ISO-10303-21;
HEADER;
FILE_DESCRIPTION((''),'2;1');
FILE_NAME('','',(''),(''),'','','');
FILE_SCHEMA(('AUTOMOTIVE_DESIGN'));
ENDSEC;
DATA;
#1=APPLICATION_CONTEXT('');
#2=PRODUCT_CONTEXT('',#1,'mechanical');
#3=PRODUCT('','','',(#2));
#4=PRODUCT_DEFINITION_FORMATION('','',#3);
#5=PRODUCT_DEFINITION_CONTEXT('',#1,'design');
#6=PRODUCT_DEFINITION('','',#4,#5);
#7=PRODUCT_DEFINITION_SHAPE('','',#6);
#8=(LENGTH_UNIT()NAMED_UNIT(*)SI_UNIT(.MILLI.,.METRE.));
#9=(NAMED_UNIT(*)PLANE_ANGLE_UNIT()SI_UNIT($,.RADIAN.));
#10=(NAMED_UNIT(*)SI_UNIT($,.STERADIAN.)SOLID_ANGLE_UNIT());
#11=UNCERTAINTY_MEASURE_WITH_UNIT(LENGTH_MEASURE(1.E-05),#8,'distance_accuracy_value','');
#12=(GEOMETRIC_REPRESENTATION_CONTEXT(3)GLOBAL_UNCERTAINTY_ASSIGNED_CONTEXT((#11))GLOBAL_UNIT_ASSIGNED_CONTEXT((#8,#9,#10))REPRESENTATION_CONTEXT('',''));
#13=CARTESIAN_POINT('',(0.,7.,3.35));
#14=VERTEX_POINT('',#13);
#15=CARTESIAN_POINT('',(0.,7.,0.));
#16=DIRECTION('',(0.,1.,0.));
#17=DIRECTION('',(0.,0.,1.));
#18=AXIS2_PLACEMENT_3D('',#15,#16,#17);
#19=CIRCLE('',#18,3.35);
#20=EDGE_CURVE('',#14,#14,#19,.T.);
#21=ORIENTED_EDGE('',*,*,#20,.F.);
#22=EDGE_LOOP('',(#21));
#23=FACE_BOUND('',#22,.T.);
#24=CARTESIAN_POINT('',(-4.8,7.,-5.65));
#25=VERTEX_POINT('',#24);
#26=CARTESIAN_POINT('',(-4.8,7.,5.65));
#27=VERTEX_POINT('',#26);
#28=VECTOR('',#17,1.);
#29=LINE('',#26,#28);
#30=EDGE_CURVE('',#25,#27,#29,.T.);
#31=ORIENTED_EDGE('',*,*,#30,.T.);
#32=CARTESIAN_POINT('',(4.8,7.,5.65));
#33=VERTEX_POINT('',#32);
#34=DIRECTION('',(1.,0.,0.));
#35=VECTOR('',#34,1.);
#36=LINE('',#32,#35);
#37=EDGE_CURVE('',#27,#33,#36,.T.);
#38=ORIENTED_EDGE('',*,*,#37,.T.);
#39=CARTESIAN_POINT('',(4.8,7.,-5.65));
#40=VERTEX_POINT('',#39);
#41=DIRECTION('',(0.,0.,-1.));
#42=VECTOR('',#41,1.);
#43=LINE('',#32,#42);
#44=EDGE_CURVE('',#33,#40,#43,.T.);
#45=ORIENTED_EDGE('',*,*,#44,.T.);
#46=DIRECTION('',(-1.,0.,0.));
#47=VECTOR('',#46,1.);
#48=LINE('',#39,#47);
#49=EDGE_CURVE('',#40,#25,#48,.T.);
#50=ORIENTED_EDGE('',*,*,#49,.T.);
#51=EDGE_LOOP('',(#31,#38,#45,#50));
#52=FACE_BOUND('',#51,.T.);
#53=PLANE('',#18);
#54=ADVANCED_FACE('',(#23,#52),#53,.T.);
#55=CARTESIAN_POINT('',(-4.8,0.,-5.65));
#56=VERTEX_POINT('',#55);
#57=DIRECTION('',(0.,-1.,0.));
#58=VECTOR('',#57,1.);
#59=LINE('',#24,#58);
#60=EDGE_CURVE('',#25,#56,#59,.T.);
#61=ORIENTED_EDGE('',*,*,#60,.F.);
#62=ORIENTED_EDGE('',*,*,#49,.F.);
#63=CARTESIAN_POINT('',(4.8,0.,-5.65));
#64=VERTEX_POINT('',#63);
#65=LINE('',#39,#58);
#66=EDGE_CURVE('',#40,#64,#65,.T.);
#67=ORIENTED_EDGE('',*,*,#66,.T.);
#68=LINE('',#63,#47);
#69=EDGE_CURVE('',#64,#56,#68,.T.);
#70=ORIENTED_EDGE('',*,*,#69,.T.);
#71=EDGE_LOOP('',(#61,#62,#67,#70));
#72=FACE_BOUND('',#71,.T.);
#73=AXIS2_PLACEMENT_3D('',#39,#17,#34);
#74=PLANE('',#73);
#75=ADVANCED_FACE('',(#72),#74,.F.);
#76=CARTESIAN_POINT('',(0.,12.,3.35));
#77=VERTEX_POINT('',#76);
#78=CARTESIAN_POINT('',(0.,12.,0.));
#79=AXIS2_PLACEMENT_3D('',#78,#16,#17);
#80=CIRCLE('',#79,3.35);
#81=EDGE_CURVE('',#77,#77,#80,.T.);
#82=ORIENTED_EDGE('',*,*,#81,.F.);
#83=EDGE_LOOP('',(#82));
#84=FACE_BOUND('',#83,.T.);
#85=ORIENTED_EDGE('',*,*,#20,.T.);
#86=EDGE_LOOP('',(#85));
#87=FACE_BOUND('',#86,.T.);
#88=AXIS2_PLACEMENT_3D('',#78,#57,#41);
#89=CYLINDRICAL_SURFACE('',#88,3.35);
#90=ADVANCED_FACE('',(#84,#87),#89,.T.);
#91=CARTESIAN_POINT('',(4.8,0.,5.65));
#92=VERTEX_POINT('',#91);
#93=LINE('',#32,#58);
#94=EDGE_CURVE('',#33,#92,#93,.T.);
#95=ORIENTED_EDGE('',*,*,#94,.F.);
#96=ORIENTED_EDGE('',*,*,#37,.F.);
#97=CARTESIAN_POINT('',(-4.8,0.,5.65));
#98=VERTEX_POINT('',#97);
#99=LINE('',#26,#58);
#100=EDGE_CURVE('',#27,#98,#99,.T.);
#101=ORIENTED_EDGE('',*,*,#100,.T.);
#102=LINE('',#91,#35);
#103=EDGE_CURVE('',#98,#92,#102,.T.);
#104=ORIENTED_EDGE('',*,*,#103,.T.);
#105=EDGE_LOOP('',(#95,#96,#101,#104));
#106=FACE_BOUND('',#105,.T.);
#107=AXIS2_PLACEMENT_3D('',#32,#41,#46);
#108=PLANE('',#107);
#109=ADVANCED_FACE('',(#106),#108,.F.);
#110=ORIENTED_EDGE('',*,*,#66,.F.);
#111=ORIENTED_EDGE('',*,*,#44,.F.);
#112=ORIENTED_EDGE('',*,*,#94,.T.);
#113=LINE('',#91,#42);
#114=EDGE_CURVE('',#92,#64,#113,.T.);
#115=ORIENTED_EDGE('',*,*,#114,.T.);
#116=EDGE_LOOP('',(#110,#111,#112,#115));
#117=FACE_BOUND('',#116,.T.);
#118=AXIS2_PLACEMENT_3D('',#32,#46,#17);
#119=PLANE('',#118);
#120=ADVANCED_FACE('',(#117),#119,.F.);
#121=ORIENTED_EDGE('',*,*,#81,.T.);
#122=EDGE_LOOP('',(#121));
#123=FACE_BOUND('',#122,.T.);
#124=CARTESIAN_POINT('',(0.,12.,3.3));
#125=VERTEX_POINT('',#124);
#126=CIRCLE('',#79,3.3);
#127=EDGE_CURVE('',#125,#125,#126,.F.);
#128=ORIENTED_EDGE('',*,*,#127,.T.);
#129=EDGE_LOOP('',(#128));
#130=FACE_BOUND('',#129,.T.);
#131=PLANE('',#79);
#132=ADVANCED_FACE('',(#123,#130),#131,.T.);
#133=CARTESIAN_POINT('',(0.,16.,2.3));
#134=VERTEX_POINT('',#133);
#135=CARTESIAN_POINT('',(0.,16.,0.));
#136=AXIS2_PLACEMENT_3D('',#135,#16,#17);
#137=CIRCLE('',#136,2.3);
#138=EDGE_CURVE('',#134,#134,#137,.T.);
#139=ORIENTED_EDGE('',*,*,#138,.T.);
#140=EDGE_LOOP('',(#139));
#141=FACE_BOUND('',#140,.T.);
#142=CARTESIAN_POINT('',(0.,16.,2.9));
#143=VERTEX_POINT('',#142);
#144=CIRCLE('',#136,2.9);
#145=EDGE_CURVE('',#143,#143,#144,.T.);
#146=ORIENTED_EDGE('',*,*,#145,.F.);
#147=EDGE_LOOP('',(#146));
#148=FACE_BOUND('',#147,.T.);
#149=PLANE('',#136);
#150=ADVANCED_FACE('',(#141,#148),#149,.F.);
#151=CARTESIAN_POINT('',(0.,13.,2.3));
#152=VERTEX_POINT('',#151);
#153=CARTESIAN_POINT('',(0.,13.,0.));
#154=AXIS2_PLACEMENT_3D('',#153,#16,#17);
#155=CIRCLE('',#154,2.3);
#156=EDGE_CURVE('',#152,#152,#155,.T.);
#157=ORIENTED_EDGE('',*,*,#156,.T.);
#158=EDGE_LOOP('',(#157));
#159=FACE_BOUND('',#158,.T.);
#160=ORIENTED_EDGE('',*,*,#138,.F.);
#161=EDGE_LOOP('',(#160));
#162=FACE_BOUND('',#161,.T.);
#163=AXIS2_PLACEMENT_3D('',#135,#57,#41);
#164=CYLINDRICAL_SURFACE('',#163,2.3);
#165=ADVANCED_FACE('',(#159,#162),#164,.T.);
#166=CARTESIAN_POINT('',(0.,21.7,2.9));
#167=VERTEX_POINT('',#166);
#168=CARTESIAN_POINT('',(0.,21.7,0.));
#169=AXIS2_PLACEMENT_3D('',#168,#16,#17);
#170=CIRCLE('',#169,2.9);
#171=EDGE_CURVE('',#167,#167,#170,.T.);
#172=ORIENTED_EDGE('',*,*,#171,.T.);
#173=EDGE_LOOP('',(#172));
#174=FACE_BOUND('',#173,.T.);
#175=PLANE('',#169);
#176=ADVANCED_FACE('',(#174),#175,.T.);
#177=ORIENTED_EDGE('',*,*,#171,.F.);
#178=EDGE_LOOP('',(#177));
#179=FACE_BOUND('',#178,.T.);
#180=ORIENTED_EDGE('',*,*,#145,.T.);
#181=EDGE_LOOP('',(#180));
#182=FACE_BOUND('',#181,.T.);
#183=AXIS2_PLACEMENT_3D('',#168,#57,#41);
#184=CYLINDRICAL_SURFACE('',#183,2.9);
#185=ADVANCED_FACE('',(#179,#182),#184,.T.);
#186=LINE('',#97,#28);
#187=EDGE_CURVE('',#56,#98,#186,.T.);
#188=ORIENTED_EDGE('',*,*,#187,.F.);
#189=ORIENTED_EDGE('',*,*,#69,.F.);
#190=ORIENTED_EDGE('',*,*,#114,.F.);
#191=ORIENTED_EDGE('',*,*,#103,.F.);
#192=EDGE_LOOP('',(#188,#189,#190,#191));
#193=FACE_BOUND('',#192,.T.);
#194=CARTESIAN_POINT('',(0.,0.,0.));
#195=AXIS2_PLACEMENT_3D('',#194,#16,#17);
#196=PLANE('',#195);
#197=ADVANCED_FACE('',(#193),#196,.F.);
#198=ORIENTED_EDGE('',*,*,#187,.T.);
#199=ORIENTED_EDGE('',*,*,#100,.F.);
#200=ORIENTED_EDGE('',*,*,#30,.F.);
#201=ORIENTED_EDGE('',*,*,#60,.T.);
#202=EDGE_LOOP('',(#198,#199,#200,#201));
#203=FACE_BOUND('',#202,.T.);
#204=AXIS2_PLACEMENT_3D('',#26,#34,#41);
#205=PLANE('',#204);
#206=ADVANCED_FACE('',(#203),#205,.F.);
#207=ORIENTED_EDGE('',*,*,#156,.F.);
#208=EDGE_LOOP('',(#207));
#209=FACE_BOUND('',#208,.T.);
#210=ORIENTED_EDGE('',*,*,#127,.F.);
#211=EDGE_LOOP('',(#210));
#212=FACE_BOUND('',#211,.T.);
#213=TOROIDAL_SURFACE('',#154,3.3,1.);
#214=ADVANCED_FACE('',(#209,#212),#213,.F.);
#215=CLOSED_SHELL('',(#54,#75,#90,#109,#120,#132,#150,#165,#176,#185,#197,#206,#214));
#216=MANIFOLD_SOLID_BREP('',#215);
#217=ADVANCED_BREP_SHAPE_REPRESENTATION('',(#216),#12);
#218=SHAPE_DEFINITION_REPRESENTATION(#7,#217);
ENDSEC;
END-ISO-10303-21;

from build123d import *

# Parameters (mm, degrees)
SKETCH1_W           = 9.6
SKETCH1_H           = 11.3
BOSS_EXTRUDE1_DEPTH = 7
SKETCH2_R           = 3.35
BOSS_EXTRUDE2_DEPTH = 5
SKETCH3_R           = 2.3
BOSS_EXTRUDE3_DEPTH = 4
FILLET1_R           = 1
SKETCH4_R           = 2.9
BOSS_EXTRUDE4_DEPTH = 5.7


with BuildPart() as part:
    # Sketch1 → Boss-Extrude1 (new body)
    with BuildSketch(Plane(origin=(0, 0, 0), x_dir=(1, 0, 0), z_dir=(0, 1, 0))):
        Rectangle(SKETCH1_W, SKETCH1_H)
    extrude(amount=BOSS_EXTRUDE1_DEPTH)

    # Sketch2 → Boss-Extrude2 (add)
    with BuildSketch(Plane(origin=(0, 7, 0), x_dir=(1, 0, 0), z_dir=(0, 1, 0))):
        Circle(SKETCH2_R)
    extrude(amount=BOSS_EXTRUDE2_DEPTH)

    # Sketch3 → Boss-Extrude3 (add)
    with BuildSketch(Plane(origin=(0, 12, 0), x_dir=(1, 0, 0), z_dir=(0, 1, 0))):
        Circle(SKETCH3_R)
    extrude(amount=BOSS_EXTRUDE3_DEPTH)

    # Fillet1
    fillet1_edges = [part.edges().sort_by_distance(p)[0] for p in [
        (-2.3, 12, 0),
    ]]
    fillet(fillet1_edges, radius=FILLET1_R)

    # Sketch4 → Boss-Extrude4 (add)
    with BuildSketch(Plane(origin=(0, 16, 0), x_dir=(1, 0, 0), z_dir=(0, 1, 0))):
        Circle(SKETCH4_R)
    extrude(amount=BOSS_EXTRUDE4_DEPTH)


solid = part.part
